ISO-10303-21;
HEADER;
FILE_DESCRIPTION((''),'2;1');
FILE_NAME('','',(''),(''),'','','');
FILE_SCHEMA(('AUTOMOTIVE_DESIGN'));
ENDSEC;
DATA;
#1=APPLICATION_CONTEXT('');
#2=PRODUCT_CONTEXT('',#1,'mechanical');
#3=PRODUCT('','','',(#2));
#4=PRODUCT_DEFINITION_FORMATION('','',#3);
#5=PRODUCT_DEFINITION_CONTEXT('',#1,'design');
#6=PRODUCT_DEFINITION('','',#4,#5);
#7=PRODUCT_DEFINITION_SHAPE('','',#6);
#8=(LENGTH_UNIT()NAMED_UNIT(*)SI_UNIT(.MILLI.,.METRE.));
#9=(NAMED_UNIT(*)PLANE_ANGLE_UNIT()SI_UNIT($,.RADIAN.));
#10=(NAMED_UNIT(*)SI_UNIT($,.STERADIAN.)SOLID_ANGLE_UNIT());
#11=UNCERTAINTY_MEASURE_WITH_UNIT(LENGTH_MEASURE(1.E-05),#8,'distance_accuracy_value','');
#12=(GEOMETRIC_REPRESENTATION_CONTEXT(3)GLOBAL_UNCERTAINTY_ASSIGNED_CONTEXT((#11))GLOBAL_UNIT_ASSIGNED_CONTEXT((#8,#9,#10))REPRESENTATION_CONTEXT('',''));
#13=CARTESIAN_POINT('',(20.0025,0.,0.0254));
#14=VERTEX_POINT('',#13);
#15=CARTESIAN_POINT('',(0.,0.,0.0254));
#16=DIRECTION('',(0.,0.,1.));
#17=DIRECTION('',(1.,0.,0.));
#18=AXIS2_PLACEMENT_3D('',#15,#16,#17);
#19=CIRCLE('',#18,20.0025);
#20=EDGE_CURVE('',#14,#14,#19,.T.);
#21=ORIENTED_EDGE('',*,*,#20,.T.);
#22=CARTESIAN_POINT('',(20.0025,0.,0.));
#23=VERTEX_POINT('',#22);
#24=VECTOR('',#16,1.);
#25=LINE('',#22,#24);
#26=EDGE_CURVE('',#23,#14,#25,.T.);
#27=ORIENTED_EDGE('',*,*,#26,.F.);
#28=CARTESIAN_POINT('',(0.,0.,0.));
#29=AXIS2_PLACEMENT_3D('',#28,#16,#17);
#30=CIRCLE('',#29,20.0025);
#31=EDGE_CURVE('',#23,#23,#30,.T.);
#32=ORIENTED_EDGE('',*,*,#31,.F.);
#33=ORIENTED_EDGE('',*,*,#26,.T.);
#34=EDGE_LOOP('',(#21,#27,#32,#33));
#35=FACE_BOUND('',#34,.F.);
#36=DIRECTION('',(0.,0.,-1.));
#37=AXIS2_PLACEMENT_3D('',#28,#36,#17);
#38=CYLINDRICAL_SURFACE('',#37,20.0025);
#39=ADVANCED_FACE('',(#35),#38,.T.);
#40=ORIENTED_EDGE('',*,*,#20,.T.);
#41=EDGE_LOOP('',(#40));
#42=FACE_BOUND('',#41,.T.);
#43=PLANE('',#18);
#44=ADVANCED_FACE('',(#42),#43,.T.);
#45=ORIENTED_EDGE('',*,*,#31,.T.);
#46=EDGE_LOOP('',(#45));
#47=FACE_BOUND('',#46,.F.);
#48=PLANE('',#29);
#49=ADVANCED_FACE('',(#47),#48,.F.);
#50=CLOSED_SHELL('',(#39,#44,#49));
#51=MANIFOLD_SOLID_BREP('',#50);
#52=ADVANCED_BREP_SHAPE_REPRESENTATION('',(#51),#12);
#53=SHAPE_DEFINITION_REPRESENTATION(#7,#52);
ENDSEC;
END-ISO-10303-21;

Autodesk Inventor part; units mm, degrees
ref_plane "YZ Plane" through (0, 0, 0) normal (1, 0, 0) x (0, 1, 0)
ref_plane "XZ Plane" through (0, 0, 0) normal (0, 1, 0) x (-1, 0, 0)
ref_plane "XY Plane" through (0, 0, 0) normal (0, 0, 1) x (1, 0, 0)
sketch "Sketch1" plane through (0, 0, 0) normal (0, 0, 1) x (1, 0, 0)
  circle A0 centre (0, 0) radius 20.0025
  dimension "d0" = 40.005
extrude "Extrusion1" add sketch "Sketch1" along normal blind 0.0254
properties part number "Diaphragm_Film"
